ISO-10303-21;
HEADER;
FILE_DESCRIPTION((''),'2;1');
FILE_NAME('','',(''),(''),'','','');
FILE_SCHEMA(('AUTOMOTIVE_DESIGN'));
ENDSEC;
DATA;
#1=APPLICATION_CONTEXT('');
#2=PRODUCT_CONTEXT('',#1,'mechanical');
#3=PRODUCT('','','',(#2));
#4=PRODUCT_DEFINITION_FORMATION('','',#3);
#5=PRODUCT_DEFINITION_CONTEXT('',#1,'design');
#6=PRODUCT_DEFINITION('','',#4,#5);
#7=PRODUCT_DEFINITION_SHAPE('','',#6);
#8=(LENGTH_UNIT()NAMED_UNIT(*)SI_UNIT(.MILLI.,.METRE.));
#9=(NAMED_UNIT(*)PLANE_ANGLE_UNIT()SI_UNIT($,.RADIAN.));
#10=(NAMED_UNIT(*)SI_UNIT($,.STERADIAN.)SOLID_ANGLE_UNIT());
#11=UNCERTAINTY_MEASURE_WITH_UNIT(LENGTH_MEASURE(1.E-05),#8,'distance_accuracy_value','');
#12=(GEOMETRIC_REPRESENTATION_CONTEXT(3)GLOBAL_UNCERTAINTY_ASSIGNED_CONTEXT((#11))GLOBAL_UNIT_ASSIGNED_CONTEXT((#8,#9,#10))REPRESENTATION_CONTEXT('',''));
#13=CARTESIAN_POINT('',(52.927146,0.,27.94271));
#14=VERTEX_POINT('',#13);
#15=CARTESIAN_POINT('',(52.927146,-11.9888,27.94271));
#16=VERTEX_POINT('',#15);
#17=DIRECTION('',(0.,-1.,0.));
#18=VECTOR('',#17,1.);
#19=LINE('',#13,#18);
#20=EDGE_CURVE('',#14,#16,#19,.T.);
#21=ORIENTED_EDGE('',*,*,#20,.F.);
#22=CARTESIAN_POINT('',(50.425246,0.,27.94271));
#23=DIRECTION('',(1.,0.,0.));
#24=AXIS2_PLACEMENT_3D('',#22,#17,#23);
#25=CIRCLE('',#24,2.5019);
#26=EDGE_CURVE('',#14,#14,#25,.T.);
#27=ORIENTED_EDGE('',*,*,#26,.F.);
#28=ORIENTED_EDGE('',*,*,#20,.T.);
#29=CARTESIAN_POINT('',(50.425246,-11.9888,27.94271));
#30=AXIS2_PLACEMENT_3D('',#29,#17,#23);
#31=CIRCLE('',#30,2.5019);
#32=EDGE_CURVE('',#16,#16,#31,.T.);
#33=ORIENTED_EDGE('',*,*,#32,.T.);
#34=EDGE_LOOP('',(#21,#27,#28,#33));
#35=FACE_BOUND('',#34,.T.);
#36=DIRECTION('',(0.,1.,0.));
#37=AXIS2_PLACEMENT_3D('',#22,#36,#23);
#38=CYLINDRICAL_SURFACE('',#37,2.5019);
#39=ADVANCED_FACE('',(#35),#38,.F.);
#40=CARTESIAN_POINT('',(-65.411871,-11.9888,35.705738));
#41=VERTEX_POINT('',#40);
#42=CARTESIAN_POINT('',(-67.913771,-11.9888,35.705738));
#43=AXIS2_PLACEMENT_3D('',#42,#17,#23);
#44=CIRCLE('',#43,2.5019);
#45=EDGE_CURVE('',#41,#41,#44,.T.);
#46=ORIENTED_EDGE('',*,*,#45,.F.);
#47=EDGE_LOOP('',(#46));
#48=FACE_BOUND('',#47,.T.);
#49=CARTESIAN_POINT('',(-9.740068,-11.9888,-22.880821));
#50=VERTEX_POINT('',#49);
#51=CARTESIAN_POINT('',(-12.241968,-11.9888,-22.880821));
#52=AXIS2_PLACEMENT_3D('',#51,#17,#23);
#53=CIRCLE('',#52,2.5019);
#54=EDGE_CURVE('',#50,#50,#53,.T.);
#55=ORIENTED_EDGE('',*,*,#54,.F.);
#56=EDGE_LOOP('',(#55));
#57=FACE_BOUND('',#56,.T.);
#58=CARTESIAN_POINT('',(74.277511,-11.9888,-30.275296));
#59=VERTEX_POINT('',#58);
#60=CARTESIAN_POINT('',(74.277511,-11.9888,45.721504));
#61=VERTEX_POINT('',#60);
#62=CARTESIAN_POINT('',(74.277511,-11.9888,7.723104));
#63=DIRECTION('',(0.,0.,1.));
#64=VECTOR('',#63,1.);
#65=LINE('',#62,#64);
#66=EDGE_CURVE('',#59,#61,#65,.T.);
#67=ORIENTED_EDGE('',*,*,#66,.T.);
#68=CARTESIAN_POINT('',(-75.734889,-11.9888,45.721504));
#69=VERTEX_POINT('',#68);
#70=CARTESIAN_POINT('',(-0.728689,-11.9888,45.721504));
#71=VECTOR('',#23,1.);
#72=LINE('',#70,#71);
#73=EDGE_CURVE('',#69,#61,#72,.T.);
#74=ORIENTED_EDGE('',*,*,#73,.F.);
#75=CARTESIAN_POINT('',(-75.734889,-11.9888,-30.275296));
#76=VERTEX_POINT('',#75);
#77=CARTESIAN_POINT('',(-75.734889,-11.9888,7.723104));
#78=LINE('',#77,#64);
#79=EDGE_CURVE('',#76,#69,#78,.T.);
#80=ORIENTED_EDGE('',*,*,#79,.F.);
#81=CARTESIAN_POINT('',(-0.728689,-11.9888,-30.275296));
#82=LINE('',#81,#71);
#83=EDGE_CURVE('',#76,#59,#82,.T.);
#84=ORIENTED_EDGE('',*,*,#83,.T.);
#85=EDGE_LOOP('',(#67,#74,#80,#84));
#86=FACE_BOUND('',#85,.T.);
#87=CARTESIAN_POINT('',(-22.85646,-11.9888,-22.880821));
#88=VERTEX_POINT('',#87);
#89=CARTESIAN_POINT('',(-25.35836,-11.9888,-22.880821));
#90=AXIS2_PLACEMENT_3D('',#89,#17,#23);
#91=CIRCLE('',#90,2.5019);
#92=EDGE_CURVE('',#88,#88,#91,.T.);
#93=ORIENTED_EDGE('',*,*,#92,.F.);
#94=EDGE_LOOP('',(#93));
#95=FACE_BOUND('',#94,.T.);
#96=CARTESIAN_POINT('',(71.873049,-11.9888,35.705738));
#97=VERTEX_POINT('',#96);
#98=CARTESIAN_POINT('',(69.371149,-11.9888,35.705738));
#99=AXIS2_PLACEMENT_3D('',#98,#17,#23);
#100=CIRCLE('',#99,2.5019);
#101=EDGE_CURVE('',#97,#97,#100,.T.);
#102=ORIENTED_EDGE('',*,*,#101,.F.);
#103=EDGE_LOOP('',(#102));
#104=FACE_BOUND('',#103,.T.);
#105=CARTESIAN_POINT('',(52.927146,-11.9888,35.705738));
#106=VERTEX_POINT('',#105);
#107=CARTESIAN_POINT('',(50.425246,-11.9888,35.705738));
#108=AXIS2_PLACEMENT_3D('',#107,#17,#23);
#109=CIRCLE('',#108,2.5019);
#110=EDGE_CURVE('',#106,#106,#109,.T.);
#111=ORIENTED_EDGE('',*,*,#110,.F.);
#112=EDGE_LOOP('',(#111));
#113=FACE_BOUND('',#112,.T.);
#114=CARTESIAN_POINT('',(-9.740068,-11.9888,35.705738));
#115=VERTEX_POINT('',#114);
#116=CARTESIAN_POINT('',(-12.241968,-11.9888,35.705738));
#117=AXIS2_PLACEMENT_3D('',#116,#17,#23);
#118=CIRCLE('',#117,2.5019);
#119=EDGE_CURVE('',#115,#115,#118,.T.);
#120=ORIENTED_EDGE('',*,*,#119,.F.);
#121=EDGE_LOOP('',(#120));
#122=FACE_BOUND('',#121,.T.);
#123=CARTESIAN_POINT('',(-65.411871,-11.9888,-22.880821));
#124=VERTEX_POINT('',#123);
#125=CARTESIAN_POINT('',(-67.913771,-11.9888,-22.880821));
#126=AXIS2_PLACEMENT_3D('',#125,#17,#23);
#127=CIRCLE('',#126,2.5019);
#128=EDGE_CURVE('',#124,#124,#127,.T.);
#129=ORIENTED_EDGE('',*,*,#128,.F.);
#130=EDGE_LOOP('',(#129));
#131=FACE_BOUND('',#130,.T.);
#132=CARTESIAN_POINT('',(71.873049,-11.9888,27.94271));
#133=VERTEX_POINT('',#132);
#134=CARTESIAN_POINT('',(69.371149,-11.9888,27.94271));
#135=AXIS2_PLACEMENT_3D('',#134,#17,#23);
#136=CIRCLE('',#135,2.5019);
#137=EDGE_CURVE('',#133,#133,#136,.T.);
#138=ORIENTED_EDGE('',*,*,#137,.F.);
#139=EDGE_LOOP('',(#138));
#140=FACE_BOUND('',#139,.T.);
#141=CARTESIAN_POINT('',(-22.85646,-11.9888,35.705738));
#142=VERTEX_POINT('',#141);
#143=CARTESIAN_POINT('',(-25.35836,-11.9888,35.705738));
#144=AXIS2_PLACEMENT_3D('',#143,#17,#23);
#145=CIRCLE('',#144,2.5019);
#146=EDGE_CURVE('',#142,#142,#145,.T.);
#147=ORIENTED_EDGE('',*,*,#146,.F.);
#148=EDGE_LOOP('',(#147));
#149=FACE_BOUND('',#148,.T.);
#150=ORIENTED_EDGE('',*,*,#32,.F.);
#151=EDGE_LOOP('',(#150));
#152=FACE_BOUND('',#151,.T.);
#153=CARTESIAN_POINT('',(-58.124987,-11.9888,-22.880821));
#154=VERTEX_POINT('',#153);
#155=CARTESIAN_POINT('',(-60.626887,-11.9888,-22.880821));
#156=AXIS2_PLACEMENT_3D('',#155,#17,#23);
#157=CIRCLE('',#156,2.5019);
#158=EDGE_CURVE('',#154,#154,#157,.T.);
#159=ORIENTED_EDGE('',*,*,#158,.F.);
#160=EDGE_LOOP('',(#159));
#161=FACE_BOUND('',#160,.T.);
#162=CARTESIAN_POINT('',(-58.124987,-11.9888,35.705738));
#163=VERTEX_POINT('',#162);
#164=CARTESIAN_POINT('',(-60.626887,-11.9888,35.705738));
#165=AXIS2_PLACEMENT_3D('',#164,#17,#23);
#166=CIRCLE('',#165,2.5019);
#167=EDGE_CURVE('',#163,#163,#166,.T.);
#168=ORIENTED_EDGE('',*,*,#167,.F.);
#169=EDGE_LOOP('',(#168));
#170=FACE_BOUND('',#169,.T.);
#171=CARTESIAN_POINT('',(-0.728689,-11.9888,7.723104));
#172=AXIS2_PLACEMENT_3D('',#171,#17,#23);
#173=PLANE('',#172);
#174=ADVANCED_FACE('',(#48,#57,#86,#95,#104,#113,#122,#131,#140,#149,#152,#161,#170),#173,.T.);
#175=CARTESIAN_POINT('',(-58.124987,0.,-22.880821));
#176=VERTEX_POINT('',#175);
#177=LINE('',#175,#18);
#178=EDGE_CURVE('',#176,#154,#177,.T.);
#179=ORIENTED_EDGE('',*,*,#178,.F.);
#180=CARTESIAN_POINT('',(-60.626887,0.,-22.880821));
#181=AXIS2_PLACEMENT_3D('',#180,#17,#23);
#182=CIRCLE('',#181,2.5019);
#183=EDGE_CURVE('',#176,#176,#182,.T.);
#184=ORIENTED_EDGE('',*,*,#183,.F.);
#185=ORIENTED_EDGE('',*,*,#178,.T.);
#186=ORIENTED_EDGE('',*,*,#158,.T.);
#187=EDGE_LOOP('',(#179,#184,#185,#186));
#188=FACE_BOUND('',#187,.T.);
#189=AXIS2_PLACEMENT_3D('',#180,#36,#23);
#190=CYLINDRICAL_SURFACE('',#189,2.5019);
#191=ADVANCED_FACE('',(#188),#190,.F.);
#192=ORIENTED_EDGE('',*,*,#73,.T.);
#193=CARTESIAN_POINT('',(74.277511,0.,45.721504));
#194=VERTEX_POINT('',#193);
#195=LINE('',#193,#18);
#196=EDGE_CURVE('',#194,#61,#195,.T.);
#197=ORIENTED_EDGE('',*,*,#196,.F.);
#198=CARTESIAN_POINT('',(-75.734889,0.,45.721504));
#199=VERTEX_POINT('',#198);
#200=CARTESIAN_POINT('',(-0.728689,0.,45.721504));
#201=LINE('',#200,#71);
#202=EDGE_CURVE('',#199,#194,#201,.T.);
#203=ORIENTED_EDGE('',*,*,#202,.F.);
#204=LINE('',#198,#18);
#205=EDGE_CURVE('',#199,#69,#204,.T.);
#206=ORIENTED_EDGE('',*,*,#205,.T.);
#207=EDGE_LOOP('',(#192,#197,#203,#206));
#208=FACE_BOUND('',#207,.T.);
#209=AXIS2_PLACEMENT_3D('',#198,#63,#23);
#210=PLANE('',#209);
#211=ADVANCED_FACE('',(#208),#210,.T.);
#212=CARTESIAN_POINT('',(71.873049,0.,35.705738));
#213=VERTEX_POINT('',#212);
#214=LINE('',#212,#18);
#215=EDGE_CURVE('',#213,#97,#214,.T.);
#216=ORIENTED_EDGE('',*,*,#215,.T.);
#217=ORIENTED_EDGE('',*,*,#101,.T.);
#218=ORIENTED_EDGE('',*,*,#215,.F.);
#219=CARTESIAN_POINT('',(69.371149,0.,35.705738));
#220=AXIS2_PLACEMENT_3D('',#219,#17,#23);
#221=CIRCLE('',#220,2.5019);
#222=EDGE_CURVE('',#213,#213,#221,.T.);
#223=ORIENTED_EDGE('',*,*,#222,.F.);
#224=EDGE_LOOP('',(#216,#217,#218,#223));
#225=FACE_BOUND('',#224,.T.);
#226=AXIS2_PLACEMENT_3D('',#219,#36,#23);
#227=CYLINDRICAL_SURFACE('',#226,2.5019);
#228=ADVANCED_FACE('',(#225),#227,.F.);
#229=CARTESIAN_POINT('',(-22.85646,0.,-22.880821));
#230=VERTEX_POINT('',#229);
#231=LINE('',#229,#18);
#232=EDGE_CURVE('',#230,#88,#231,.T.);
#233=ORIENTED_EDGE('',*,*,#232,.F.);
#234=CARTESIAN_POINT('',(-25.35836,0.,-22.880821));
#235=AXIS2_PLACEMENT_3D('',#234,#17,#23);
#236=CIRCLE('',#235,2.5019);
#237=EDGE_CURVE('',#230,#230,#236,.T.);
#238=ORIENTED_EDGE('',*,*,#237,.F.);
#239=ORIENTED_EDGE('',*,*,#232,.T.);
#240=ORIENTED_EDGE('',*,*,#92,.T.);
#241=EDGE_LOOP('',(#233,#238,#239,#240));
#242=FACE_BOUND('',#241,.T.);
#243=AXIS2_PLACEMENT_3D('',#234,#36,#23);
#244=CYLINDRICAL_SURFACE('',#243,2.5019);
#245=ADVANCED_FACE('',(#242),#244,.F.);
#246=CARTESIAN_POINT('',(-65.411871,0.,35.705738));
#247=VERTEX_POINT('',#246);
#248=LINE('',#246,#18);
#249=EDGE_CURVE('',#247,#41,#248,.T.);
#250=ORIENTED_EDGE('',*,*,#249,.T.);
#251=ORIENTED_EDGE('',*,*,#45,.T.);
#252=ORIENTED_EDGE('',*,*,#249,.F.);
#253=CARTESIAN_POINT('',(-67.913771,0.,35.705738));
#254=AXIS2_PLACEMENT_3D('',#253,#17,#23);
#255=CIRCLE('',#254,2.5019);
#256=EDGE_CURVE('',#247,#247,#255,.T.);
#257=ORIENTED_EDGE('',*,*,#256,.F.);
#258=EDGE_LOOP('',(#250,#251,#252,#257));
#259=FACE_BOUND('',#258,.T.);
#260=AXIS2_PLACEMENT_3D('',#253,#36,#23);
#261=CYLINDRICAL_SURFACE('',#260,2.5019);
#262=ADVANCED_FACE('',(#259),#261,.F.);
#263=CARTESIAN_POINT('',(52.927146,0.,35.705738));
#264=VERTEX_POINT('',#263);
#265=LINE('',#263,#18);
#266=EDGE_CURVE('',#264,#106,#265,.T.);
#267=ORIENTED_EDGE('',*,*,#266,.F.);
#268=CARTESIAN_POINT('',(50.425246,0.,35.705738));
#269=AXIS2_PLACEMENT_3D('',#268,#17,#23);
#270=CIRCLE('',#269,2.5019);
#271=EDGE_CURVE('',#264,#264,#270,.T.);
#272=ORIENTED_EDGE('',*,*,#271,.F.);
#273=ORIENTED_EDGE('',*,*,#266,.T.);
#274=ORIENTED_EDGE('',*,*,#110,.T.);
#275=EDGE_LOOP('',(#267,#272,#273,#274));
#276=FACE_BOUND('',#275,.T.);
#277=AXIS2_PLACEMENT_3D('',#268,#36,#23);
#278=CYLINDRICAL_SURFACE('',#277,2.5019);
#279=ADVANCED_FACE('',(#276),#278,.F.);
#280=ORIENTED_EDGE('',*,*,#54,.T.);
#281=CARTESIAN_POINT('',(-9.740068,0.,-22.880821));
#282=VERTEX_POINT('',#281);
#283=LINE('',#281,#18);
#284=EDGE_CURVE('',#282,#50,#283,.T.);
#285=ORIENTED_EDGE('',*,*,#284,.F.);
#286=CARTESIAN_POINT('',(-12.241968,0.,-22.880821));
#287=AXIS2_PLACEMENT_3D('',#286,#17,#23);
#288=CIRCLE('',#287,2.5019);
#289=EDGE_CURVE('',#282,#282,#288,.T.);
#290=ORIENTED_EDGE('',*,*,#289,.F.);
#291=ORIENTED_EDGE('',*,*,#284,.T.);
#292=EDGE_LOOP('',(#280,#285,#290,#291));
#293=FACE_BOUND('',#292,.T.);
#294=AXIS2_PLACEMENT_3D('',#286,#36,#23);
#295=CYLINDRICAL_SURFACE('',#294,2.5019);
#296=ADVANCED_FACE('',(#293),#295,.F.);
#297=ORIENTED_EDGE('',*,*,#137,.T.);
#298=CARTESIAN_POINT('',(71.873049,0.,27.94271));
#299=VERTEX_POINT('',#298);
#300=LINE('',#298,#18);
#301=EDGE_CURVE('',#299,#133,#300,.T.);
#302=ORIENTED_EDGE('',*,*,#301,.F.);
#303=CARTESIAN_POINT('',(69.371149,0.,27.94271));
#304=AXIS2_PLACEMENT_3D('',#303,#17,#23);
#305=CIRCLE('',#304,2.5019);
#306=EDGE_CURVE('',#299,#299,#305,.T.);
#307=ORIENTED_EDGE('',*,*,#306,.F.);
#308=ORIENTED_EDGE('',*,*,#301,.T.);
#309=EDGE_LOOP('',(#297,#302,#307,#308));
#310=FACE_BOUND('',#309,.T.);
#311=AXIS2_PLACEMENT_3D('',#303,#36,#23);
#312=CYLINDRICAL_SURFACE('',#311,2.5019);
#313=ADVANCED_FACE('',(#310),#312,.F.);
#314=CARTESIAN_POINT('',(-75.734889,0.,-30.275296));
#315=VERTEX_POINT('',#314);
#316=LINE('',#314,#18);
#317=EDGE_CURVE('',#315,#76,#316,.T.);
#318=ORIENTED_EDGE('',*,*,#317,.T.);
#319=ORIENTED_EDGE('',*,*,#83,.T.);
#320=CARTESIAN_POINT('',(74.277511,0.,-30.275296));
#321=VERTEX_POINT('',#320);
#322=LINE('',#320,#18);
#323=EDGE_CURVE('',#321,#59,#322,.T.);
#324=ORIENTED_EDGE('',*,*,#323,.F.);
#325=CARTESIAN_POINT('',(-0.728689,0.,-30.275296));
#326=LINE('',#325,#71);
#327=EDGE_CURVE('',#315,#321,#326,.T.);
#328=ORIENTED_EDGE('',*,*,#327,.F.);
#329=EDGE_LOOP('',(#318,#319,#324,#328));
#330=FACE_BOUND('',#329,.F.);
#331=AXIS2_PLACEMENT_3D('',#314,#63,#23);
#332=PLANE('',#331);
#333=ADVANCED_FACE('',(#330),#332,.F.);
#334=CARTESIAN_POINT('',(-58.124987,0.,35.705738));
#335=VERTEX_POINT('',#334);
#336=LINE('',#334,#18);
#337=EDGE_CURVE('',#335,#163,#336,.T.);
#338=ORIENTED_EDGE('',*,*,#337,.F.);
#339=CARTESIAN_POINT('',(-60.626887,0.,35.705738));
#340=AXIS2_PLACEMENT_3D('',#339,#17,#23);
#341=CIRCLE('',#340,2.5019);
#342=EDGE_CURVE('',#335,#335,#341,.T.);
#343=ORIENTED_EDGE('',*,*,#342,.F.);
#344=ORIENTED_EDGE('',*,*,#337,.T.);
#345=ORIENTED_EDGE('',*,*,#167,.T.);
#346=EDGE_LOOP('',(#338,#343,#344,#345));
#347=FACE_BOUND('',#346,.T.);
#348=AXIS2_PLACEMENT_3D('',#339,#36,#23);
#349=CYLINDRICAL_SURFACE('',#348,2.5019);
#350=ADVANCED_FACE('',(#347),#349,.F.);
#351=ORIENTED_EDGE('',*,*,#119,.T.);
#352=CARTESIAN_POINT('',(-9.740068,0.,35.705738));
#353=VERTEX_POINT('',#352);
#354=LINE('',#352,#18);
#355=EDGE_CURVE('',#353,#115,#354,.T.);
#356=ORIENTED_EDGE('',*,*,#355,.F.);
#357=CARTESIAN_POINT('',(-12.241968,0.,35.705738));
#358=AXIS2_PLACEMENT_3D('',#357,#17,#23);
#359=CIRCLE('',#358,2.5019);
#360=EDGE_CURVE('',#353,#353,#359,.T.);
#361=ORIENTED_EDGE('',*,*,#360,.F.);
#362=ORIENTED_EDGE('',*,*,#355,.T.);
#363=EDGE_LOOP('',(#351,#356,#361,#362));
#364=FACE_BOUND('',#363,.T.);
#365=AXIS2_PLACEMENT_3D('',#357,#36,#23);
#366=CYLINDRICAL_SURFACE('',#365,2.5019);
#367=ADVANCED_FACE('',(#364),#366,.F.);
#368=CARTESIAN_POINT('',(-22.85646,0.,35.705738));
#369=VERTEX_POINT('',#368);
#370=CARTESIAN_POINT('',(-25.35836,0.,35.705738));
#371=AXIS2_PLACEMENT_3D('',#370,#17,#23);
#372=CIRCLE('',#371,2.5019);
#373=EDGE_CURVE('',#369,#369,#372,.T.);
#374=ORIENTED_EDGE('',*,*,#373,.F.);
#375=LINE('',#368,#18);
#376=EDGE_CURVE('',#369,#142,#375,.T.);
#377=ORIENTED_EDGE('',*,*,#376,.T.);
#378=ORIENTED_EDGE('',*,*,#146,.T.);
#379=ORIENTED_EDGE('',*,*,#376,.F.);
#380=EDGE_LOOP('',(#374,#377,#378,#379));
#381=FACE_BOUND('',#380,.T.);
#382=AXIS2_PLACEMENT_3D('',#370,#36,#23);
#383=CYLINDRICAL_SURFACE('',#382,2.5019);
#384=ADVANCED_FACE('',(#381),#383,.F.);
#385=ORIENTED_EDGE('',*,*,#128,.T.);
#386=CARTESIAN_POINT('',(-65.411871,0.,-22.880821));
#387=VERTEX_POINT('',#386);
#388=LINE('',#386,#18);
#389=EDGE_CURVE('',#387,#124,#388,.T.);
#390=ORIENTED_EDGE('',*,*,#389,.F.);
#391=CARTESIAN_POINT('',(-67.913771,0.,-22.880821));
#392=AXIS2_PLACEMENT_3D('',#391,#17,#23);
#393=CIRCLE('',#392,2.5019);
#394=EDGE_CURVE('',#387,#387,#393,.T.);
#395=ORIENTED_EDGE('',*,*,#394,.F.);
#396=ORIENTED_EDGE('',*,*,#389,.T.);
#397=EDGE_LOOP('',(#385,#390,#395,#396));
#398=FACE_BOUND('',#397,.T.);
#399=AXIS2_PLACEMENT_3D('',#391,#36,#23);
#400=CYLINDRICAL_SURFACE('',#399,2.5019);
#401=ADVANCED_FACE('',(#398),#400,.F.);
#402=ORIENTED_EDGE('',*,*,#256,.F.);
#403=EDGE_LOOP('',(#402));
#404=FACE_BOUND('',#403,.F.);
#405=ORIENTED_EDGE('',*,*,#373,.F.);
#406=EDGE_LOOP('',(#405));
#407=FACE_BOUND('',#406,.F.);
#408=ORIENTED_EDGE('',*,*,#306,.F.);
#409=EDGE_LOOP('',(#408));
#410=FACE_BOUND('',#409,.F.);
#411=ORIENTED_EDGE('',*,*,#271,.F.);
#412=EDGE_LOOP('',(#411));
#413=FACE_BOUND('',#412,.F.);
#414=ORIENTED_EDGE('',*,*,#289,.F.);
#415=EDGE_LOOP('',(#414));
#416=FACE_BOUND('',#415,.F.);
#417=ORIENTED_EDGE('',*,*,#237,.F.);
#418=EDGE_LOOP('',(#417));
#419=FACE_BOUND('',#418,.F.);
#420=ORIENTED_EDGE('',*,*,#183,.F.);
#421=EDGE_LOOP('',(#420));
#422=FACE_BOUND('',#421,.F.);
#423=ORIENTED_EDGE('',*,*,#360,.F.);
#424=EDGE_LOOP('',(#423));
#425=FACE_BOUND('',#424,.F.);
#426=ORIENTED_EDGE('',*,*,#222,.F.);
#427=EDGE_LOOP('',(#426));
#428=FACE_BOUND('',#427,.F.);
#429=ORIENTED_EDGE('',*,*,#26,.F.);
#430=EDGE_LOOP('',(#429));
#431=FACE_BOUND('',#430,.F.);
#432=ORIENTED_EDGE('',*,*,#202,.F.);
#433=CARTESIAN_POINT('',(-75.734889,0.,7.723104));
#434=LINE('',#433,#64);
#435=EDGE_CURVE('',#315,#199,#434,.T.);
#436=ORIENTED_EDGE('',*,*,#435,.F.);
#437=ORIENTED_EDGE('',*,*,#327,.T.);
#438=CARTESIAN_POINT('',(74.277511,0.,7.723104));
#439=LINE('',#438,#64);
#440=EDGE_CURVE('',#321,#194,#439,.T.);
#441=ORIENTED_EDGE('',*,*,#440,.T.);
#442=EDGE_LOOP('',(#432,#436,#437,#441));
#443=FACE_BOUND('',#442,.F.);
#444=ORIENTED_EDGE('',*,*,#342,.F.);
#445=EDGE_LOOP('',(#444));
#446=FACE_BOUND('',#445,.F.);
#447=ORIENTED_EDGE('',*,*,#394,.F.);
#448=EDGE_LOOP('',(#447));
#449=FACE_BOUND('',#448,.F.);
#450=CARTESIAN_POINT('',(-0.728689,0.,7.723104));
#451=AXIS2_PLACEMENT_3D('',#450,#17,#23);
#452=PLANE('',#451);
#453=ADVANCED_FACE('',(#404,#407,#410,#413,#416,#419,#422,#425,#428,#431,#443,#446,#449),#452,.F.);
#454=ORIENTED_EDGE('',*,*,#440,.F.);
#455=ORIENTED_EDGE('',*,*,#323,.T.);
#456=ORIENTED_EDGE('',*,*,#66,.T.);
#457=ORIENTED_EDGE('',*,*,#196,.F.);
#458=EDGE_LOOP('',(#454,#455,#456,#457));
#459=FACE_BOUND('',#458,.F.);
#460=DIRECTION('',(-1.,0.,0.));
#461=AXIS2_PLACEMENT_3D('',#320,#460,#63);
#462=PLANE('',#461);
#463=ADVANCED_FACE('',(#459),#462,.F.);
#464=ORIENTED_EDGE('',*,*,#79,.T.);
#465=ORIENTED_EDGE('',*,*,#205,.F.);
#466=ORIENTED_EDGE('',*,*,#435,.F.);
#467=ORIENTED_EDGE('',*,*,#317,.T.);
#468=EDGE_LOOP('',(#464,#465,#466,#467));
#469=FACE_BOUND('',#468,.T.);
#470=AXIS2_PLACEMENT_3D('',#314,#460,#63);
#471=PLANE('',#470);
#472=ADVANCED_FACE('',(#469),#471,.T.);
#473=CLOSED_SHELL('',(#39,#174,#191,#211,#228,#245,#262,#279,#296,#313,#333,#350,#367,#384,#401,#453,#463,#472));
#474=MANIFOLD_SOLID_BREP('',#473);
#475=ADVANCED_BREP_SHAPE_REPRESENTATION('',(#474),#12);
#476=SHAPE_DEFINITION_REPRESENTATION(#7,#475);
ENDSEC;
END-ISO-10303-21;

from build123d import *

# Parameters (mm, degrees)
F0_W     = 150.0124
F0_H     = 75.9968
F0_R     = 2.5019
F1_DEPTH = 11.9888


with BuildPart() as f1:
    # F0 (on Front) → F1 (new body)
    with BuildSketch(Plane.XZ):
        with Locations((-0.728689, 7.723104)):
            Rectangle(F0_W, F0_H)
        with Locations((-67.913771, -22.880821)):
            Circle(F0_R, mode=Mode.SUBTRACT)
        with Locations((-60.626887, -22.880821)):
            Circle(F0_R, mode=Mode.SUBTRACT)
        with Locations((-25.35836, -22.880821)):
            Circle(F0_R, mode=Mode.SUBTRACT)
        with Locations((-12.241968, -22.880821)):
            Circle(F0_R, mode=Mode.SUBTRACT)
        with Locations((-67.913771, 35.705738)):
            Circle(F0_R, mode=Mode.SUBTRACT)
        with Locations((-60.626887, 35.705738)):
            Circle(F0_R, mode=Mode.SUBTRACT)
        with Locations((-25.35836, 35.705738)):
            Circle(F0_R, mode=Mode.SUBTRACT)
        with Locations((-12.241968, 35.705738)):
            Circle(F0_R, mode=Mode.SUBTRACT)
        with Locations((50.425246, 27.94271)):
            Circle(F0_R, mode=Mode.SUBTRACT)
        with Locations((50.425246, 35.705738)):
            Circle(F0_R, mode=Mode.SUBTRACT)
        with Locations((69.371149, 27.94271)):
            Circle(F0_R, mode=Mode.SUBTRACT)
        with Locations((69.371149, 35.705738)):
            Circle(F0_R, mode=Mode.SUBTRACT)
    extrude(amount=F1_DEPTH)


solid = f1.part
